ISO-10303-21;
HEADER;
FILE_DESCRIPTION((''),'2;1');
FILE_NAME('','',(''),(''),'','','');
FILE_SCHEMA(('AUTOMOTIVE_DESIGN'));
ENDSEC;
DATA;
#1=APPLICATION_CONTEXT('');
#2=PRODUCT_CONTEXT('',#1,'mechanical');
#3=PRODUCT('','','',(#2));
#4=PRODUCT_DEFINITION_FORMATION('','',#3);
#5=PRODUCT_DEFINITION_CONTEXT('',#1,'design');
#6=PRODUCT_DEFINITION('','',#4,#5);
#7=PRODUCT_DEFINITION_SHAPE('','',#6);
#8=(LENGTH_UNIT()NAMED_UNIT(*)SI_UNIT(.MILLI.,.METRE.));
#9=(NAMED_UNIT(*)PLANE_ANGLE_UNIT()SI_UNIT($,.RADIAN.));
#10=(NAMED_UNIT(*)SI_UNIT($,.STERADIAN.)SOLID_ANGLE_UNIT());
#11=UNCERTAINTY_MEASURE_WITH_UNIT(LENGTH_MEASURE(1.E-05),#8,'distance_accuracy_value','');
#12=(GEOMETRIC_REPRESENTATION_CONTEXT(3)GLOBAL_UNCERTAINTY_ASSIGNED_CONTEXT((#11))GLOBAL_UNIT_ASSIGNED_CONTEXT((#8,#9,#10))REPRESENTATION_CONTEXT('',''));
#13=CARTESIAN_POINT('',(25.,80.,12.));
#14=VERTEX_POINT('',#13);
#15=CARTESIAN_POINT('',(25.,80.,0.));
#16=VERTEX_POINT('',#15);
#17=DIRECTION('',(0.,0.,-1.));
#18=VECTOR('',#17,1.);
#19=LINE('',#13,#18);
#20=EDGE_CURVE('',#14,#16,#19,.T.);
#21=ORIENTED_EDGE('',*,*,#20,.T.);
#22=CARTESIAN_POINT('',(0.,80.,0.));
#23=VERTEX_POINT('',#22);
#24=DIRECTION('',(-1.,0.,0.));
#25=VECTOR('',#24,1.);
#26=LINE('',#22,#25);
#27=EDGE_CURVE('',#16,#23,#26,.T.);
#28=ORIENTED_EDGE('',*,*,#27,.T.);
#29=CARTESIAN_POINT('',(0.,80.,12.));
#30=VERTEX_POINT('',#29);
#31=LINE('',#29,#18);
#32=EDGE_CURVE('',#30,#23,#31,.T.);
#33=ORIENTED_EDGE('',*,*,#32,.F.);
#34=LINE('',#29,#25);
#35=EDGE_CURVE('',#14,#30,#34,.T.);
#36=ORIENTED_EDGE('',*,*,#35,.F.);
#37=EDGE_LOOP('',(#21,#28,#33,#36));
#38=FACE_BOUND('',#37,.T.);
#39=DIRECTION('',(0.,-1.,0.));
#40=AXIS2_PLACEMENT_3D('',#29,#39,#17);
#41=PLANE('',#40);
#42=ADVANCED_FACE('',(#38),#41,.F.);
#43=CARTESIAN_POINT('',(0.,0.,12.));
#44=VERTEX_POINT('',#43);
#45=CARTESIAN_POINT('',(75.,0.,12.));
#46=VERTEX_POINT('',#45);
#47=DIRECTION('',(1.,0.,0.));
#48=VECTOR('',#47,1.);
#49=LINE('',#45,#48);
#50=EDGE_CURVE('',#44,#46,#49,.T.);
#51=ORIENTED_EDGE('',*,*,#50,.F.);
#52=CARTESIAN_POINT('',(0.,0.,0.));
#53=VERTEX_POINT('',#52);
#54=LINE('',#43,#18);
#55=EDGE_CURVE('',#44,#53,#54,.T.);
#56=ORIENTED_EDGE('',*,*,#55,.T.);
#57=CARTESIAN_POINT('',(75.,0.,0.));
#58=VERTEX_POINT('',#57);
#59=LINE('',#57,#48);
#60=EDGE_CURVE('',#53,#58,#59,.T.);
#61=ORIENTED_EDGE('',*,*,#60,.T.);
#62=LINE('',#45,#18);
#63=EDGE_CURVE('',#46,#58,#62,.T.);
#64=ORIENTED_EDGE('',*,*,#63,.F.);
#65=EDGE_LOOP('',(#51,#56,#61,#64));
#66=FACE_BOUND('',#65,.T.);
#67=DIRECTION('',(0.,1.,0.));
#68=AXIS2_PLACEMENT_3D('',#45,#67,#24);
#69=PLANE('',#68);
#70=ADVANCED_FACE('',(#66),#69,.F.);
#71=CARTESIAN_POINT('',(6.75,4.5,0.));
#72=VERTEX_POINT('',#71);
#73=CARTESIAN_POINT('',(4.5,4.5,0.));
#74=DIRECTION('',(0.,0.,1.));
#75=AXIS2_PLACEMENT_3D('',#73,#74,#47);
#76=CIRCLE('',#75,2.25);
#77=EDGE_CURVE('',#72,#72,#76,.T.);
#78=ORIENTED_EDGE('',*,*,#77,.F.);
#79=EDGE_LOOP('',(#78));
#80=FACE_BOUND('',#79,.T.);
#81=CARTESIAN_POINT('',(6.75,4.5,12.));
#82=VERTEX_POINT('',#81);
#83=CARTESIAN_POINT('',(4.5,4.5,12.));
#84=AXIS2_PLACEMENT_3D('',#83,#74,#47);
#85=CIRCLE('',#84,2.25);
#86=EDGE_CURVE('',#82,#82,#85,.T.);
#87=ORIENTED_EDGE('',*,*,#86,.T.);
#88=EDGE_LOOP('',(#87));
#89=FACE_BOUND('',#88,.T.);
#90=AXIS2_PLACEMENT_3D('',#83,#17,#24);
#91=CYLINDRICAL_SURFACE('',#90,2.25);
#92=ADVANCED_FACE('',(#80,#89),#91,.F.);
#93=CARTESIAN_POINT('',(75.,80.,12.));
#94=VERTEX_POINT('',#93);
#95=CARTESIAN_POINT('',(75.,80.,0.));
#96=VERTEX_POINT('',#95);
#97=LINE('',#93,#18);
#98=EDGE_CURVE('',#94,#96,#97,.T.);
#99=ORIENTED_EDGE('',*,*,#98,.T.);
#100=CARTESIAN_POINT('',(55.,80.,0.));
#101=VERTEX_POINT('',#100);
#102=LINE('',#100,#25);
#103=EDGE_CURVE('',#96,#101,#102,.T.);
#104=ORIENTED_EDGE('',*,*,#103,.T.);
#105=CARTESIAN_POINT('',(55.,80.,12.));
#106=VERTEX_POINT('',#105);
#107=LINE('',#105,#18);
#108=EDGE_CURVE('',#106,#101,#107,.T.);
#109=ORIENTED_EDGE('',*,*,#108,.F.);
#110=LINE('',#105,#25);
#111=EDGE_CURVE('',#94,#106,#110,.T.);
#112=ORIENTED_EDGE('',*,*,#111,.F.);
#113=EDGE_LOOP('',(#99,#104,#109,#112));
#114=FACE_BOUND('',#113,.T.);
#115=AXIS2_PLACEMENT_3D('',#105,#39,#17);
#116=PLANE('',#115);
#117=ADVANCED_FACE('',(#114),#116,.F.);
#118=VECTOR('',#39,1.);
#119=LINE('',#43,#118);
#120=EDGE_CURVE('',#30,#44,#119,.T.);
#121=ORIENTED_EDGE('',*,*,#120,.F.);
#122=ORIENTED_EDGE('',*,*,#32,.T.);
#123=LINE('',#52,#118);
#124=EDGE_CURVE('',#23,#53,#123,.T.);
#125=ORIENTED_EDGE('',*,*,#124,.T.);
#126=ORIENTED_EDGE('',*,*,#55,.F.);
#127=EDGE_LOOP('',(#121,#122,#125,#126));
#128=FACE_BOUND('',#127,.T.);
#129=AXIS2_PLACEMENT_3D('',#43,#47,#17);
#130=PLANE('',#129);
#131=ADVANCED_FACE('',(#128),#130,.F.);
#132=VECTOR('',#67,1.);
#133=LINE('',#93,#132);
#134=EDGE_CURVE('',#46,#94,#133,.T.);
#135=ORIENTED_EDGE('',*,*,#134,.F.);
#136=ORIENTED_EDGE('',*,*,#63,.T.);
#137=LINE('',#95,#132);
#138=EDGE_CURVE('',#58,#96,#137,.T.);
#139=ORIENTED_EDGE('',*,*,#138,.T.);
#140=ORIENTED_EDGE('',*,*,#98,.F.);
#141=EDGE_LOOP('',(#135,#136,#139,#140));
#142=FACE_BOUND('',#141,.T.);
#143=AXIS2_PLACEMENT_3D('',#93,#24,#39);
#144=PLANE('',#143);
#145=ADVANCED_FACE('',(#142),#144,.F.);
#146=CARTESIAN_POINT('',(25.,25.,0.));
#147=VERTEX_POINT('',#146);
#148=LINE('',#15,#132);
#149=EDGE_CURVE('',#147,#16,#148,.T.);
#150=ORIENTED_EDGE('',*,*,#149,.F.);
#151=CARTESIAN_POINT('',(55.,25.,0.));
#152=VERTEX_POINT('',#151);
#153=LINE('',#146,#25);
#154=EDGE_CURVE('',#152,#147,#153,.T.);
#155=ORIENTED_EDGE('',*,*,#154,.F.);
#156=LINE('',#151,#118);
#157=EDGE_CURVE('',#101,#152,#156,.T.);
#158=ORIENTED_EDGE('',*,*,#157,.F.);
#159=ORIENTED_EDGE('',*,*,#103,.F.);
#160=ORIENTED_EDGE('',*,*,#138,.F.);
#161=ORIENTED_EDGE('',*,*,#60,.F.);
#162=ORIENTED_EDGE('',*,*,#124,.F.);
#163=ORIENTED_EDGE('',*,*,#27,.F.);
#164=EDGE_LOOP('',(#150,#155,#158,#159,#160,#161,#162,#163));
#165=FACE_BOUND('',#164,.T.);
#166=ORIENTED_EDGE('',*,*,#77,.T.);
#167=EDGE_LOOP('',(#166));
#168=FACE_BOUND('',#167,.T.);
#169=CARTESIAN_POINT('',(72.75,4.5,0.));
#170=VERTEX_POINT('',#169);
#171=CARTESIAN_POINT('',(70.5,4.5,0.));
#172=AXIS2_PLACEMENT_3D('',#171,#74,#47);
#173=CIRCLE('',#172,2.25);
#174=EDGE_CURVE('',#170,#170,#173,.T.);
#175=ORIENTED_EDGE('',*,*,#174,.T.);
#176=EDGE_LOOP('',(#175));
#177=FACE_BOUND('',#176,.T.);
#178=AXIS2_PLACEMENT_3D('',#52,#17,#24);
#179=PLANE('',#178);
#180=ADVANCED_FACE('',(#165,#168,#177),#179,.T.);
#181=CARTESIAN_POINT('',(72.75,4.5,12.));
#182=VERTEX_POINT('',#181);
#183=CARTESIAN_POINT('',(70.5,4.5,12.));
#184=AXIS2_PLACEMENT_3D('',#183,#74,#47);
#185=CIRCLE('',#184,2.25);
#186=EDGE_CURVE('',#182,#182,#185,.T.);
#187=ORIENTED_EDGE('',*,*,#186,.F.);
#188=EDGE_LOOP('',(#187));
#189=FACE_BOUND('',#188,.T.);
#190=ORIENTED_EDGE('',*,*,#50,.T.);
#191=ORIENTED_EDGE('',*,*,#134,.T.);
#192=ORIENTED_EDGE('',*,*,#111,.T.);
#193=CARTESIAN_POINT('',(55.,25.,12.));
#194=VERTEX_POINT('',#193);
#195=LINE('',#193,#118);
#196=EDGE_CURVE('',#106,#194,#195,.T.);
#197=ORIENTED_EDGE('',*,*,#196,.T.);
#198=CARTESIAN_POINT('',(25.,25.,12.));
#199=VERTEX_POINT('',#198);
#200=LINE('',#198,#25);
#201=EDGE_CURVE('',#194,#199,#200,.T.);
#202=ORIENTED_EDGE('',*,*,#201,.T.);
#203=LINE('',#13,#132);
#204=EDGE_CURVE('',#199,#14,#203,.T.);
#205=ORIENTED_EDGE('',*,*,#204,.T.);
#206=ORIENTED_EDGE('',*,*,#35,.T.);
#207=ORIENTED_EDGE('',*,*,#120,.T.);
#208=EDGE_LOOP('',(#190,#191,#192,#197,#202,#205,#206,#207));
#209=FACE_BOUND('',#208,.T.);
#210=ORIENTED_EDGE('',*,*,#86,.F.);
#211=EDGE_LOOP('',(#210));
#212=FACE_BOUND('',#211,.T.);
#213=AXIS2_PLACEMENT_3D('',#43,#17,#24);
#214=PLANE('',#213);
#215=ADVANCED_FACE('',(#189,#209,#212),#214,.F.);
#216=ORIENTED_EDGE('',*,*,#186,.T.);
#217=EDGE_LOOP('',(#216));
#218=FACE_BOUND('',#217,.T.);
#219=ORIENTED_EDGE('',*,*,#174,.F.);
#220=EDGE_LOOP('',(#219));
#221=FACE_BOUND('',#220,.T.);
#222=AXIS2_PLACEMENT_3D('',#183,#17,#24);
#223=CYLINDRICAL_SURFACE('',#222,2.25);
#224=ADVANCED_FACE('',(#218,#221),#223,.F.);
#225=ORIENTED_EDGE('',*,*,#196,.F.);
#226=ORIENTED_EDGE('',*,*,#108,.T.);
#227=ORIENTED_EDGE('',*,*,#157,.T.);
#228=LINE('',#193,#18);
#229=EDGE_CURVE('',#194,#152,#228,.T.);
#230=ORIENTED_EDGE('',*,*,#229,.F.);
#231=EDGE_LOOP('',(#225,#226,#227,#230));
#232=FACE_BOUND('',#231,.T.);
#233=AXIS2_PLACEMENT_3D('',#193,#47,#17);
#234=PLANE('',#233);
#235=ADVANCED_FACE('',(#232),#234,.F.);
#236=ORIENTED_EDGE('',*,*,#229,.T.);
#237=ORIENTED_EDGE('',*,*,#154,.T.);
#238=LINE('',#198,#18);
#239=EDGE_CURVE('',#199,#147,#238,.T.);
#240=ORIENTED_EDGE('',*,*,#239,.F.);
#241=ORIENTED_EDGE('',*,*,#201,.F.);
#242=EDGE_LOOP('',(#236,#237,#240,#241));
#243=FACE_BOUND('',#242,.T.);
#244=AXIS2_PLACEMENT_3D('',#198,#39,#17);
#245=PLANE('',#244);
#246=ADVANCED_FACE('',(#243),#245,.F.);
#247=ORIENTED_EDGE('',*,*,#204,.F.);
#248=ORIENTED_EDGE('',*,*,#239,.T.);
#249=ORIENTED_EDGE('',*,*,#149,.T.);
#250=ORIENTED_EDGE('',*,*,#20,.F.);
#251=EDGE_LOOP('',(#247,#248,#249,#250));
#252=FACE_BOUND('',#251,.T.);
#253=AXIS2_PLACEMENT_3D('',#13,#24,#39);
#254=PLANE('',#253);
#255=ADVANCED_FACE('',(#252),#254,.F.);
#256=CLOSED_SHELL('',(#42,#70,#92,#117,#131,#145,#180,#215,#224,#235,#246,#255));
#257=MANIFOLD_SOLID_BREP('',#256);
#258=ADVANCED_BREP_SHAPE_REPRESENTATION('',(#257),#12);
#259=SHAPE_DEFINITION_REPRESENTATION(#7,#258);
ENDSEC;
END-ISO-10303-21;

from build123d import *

# Parameters (mm, degrees)
SKETCH2_R           = 2.25
BOSS_EXTRUDE1_DEPTH = 12


with BuildPart() as part:
    # Sketch2 → Boss-Extrude1 (new body)
    with BuildSketch(Plane.XY):
        Polygon((0, 0), (0, 80), (25, 80), (25, 25), (55, 25), (55, 80), (75, 80), (75, 0), align=None)
        with Locations((70.5, 4.5)):
            Circle(SKETCH2_R, mode=Mode.SUBTRACT)
        with Locations((4.5, 4.5)):
            Circle(SKETCH2_R, mode=Mode.SUBTRACT)
    extrude(amount=BOSS_EXTRUDE1_DEPTH)


solid = part.part
